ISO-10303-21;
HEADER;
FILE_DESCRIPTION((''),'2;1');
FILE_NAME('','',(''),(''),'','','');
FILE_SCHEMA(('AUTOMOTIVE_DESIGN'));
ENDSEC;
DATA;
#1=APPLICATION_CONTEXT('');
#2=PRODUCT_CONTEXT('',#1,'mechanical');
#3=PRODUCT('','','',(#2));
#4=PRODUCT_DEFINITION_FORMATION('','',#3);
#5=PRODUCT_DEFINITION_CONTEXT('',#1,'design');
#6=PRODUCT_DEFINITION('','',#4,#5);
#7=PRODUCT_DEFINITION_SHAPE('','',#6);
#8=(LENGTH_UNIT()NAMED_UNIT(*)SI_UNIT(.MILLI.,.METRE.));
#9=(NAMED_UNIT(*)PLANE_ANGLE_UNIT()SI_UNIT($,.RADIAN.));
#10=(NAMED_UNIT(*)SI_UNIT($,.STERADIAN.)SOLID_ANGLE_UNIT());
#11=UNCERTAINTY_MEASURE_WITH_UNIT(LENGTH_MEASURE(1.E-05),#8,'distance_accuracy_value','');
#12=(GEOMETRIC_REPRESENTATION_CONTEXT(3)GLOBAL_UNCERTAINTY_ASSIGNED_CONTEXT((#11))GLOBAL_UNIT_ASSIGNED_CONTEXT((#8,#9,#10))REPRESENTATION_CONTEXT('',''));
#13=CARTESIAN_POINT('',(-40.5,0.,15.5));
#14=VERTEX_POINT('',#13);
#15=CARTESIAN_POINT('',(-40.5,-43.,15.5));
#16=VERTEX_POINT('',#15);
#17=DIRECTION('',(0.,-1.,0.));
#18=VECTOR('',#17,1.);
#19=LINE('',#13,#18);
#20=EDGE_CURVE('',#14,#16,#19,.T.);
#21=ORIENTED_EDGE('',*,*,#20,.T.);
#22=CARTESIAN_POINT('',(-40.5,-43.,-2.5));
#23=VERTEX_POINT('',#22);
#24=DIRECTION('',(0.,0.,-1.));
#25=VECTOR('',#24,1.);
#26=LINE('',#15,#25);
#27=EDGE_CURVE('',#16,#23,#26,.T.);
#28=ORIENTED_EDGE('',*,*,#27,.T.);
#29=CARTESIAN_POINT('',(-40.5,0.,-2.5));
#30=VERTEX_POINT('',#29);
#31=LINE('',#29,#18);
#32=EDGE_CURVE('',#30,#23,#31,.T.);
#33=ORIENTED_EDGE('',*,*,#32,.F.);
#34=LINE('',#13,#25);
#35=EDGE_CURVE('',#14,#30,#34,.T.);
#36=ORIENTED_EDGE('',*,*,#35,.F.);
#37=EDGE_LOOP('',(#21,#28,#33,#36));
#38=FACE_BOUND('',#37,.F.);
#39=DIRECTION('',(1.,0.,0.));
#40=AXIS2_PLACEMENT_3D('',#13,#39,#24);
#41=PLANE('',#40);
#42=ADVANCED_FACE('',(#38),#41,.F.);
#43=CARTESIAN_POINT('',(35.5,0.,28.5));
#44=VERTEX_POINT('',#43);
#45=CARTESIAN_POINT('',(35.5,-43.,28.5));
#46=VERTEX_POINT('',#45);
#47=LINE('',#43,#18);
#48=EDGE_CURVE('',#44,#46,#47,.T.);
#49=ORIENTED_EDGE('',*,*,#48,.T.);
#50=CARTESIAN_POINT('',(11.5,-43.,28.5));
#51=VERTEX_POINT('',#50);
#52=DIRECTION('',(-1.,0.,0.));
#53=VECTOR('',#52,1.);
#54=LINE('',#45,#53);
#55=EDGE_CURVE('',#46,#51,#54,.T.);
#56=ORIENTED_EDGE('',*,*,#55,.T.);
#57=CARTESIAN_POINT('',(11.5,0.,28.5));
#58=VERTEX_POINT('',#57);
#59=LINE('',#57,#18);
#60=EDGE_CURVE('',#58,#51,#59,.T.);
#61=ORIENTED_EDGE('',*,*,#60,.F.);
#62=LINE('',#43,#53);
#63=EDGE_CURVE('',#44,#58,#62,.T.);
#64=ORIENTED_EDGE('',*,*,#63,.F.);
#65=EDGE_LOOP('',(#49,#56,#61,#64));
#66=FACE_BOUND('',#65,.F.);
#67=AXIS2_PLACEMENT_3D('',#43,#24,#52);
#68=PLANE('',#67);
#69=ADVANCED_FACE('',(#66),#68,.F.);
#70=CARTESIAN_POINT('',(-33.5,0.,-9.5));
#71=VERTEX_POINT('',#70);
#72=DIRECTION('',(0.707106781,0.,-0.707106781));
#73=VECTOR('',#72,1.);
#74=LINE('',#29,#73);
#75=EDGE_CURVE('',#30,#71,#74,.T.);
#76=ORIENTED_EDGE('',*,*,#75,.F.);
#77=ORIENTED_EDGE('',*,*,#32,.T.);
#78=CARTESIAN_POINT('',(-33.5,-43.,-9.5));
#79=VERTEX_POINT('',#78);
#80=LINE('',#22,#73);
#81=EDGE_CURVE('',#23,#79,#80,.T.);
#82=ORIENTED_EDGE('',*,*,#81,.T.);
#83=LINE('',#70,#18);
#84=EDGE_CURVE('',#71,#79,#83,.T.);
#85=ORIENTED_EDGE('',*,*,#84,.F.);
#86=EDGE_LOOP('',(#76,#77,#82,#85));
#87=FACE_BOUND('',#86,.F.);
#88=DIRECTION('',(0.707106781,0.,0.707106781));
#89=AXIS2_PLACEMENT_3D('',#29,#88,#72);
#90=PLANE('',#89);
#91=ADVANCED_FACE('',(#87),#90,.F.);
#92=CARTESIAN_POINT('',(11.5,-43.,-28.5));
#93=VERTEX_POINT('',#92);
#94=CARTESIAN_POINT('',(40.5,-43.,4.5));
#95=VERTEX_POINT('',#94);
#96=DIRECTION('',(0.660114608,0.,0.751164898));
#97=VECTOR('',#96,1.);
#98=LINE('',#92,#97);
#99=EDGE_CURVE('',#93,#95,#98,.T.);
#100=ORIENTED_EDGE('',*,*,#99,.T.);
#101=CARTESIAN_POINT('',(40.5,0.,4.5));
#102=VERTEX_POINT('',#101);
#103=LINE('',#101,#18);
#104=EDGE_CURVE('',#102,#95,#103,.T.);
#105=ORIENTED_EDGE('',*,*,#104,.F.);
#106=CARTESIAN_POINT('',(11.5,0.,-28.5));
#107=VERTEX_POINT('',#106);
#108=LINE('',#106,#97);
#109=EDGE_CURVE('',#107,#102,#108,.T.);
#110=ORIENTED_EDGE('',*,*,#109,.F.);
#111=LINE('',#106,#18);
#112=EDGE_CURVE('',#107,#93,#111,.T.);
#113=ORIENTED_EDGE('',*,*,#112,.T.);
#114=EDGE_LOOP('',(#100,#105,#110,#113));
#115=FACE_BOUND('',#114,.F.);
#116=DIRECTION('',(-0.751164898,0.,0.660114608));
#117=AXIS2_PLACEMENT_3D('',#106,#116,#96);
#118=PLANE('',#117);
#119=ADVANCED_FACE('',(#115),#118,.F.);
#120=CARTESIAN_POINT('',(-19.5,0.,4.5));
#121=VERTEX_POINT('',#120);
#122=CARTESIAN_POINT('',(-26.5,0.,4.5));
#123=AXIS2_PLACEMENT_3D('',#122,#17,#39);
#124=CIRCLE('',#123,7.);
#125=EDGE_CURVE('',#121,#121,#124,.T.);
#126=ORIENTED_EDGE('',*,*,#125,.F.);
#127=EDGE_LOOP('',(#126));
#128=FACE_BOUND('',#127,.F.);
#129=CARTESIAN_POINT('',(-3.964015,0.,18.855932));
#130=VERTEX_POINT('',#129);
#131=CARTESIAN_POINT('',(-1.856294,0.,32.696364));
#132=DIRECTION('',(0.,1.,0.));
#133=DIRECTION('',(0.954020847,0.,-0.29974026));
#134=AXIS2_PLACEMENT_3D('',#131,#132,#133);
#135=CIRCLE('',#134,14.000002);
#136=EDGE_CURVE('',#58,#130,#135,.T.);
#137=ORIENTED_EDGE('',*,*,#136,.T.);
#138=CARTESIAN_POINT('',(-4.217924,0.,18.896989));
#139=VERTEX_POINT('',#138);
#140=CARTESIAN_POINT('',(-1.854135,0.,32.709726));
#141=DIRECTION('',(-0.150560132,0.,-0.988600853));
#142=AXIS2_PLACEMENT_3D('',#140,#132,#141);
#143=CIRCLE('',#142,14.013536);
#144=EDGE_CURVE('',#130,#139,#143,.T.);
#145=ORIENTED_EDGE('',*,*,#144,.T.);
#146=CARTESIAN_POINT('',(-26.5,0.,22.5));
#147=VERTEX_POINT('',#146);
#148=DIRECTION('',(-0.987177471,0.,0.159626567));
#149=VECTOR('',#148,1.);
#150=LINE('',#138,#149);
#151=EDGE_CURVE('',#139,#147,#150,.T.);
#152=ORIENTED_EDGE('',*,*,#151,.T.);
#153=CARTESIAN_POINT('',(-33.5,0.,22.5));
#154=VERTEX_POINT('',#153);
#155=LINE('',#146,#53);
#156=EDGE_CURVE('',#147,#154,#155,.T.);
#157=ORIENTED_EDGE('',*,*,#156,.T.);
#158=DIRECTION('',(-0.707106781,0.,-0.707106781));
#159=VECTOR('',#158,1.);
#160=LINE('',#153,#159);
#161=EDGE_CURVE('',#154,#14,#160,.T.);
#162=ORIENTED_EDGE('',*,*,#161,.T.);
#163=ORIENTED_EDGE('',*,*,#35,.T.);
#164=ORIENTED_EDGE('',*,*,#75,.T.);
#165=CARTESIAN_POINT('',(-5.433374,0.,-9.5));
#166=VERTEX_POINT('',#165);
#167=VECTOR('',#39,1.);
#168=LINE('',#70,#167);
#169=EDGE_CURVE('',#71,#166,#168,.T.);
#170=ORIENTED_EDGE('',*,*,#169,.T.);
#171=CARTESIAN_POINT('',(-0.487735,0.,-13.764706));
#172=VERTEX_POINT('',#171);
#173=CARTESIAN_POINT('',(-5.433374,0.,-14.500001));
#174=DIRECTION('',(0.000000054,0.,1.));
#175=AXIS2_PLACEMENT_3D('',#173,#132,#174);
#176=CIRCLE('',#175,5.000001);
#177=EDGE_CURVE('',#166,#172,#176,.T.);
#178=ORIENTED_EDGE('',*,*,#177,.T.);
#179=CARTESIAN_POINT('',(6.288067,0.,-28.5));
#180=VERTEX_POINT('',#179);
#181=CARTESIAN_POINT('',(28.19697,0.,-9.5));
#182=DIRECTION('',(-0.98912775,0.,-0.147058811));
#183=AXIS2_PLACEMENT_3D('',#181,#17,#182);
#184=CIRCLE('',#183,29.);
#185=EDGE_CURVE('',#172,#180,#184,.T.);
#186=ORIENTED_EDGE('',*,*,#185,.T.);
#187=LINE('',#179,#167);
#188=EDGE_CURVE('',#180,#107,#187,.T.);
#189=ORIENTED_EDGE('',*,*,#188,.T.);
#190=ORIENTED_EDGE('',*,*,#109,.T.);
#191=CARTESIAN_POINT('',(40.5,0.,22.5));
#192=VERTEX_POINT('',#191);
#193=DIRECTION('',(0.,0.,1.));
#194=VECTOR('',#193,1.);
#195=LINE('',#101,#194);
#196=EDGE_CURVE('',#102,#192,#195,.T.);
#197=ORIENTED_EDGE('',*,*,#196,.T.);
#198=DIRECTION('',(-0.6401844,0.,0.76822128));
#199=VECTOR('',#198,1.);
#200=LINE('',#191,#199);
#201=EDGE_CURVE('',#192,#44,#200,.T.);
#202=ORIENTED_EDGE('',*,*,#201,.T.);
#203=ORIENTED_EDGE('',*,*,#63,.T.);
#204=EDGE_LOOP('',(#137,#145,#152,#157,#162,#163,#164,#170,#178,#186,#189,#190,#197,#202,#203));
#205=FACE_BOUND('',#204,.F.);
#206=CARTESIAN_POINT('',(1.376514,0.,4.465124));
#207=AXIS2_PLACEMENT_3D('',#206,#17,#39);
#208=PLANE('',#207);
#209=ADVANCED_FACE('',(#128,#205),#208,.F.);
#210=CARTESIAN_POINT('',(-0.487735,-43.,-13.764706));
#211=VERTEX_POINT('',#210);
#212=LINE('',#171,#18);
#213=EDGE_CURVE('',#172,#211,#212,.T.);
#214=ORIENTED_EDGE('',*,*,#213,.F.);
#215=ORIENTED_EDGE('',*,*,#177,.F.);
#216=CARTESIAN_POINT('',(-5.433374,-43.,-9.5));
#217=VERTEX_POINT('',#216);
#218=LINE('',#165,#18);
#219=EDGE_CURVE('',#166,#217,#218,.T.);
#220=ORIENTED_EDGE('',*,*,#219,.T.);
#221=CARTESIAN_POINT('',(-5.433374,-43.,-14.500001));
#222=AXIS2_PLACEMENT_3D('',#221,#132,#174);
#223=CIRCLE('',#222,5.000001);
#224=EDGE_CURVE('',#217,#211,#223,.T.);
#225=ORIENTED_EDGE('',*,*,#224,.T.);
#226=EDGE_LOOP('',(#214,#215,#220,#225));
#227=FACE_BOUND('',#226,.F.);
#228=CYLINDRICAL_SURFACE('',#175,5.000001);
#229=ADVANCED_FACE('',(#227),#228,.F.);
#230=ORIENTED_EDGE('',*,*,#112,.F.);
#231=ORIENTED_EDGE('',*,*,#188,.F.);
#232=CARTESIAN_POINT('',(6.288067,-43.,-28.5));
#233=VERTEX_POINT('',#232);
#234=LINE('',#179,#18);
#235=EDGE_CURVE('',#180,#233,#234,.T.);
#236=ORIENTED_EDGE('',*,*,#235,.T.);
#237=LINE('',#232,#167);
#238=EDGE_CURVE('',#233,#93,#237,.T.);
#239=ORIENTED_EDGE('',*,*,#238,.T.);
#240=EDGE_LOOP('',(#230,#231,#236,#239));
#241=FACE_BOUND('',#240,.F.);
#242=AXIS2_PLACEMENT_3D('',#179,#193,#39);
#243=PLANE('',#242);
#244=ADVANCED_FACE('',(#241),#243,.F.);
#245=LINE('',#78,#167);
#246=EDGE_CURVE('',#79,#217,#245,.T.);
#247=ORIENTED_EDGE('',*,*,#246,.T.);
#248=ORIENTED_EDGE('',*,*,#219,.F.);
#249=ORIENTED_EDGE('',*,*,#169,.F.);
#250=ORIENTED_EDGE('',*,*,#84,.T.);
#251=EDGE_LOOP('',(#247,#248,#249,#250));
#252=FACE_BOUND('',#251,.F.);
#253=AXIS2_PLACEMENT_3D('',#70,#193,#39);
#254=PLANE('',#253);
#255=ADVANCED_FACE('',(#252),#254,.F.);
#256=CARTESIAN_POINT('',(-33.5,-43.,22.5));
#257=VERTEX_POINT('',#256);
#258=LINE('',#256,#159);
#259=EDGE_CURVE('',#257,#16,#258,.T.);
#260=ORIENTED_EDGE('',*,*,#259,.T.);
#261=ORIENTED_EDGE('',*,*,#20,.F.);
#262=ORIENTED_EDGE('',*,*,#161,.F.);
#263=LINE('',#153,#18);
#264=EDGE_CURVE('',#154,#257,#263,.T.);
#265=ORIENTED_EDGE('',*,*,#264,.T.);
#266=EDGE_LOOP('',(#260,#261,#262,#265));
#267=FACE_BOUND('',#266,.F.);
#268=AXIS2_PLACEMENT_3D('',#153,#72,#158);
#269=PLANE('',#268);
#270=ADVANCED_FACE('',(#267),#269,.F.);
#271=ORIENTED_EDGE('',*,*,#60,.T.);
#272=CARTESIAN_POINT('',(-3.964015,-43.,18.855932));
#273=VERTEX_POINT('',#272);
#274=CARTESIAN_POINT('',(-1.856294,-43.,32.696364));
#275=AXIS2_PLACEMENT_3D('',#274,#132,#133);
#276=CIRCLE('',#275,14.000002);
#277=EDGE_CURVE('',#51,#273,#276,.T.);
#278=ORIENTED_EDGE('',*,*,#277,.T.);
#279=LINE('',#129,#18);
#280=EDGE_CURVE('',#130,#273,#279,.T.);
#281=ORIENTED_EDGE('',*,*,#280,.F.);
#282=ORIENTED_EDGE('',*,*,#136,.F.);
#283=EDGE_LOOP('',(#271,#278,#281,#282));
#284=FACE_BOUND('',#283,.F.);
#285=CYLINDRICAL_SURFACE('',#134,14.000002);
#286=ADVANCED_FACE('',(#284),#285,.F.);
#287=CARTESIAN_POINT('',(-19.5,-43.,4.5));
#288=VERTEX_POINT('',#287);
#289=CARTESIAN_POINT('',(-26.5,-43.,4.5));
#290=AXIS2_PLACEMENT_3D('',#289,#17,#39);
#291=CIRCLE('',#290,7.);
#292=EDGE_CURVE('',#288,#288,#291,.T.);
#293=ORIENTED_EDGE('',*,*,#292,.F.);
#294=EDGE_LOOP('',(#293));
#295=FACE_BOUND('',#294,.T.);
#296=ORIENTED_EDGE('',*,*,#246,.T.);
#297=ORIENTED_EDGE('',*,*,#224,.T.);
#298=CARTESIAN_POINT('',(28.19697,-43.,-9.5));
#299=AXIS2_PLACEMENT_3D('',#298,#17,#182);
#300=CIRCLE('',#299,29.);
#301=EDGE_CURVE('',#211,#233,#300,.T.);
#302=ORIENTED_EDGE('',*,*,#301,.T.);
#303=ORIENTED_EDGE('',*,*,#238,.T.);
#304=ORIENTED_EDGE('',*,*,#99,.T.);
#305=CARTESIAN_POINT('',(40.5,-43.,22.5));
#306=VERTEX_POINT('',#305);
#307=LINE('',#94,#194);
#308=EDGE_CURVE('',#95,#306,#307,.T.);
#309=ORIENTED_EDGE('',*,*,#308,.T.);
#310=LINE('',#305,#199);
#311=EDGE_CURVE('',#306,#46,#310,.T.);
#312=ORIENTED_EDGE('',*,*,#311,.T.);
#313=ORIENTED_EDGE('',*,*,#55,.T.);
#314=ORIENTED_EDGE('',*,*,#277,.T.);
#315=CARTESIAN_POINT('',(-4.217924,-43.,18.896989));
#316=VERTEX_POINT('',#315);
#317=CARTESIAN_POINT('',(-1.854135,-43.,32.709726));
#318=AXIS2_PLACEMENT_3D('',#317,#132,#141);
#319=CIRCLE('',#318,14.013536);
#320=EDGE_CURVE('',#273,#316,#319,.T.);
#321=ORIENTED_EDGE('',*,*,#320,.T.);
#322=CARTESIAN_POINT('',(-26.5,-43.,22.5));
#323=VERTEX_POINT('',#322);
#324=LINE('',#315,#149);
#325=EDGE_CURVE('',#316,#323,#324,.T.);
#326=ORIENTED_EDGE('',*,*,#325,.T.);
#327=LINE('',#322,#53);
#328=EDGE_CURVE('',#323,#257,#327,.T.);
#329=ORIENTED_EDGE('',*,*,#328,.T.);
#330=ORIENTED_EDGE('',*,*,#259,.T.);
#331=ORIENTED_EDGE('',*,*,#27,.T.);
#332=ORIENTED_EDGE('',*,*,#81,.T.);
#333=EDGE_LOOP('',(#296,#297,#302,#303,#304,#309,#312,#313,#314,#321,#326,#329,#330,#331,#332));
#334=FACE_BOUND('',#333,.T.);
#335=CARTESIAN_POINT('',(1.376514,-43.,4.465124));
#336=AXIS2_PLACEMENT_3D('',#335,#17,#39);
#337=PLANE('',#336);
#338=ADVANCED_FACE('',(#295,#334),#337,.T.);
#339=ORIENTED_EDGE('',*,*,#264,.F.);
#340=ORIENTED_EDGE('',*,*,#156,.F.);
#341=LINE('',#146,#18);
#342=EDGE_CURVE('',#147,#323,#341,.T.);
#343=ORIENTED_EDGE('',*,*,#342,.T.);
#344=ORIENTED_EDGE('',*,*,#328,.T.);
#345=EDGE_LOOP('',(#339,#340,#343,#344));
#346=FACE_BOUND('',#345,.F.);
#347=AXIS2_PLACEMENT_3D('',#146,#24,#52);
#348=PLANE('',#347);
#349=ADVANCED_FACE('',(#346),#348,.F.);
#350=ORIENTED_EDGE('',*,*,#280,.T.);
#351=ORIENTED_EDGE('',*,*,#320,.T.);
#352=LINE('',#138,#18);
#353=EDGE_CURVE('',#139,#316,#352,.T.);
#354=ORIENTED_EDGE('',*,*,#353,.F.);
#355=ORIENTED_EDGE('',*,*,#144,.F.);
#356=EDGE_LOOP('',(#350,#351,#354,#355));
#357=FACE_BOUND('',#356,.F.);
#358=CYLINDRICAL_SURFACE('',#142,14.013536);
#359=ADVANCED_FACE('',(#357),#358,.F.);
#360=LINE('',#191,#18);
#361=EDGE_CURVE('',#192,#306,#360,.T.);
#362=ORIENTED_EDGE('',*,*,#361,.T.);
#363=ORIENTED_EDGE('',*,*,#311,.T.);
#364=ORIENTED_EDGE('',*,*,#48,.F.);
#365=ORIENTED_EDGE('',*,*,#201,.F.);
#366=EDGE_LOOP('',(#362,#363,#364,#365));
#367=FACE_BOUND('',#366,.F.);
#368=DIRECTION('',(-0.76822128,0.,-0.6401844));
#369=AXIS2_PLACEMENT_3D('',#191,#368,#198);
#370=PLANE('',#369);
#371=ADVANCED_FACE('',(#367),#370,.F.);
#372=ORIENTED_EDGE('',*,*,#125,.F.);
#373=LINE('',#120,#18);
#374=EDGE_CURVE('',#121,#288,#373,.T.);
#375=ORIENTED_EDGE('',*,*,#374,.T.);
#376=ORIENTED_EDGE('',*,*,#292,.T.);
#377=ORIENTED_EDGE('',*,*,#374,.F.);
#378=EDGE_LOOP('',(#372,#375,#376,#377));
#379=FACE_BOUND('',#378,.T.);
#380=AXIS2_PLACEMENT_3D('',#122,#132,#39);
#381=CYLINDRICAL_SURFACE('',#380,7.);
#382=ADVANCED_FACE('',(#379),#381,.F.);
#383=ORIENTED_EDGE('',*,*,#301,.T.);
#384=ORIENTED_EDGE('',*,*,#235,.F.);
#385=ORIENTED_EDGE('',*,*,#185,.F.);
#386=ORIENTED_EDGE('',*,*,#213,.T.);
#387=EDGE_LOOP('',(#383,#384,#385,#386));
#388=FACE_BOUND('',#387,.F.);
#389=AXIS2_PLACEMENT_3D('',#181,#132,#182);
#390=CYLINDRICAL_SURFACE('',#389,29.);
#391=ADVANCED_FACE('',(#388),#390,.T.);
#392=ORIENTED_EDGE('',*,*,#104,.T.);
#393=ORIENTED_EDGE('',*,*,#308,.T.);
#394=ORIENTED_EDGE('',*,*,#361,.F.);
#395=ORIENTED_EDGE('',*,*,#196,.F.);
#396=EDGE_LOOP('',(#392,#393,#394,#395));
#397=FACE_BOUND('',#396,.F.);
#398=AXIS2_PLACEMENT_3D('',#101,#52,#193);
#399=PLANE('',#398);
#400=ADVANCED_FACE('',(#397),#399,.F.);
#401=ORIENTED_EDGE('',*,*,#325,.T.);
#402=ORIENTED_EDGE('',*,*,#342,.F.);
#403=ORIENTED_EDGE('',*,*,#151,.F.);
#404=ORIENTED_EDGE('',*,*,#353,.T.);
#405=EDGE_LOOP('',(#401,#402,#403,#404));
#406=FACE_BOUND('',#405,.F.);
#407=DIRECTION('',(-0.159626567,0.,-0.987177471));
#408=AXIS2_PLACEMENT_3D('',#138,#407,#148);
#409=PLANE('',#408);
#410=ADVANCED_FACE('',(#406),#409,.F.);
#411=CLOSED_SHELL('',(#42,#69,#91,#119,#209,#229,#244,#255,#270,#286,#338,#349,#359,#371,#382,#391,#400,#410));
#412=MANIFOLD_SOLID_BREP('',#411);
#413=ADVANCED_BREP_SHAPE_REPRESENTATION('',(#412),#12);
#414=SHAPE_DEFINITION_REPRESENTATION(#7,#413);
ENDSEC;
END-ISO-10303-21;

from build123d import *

# Parameters (mm, degrees)
F0_R     = 7
F1_DEPTH = 43


with BuildPart() as f1:
    # F0 (on Front) → F1 (new body)
    with BuildSketch(Plane.XZ):
        with BuildLine():
            Line((35.5, 28.5), (11.5, 28.5))
            ThreePointArc((11.5, 28.5), (5.552121, 20.817162), (-3.964015, 18.855932))
            ThreePointArc((-3.964015, 18.855932), (-4.091064, 18.875878), (-4.217924, 18.896989))
            Line((-4.217924, 18.896989), (-26.5, 22.5))
            Line((-26.5, 22.5), (-33.5, 22.5))
            Line((-33.5, 22.5), (-40.5, 15.5))
            Line((-40.5, 15.5), (-40.5, 4.5))
            Line((-40.5, 4.5), (-40.5, -2.5))
            Line((-40.5, -2.5), (-33.5, -9.5))
            Line((-33.5, -9.5), (-5.433374, -9.5))
            ThreePointArc((-5.433374, -9.5), (-2.168138, -10.713414), (-0.487735, -13.764706))
            ThreePointArc((-0.487735, -13.764706), (1.849095, -21.615672), (6.288067, -28.5))
            Line((6.288067, -28.5), (11.5, -28.5))
            Line((11.5, -28.5), (40.5, 4.5))
            Line((40.5, 4.5), (40.5, 11.352548))
            Line((40.5, 11.352548), (40.5, 22.5))
            Line((40.5, 22.5), (35.5, 28.5))
        make_face()
        with Locations((-26.5, 4.5)):
            Circle(F0_R, mode=Mode.SUBTRACT)
    extrude(amount=F1_DEPTH)


solid = f1.part
